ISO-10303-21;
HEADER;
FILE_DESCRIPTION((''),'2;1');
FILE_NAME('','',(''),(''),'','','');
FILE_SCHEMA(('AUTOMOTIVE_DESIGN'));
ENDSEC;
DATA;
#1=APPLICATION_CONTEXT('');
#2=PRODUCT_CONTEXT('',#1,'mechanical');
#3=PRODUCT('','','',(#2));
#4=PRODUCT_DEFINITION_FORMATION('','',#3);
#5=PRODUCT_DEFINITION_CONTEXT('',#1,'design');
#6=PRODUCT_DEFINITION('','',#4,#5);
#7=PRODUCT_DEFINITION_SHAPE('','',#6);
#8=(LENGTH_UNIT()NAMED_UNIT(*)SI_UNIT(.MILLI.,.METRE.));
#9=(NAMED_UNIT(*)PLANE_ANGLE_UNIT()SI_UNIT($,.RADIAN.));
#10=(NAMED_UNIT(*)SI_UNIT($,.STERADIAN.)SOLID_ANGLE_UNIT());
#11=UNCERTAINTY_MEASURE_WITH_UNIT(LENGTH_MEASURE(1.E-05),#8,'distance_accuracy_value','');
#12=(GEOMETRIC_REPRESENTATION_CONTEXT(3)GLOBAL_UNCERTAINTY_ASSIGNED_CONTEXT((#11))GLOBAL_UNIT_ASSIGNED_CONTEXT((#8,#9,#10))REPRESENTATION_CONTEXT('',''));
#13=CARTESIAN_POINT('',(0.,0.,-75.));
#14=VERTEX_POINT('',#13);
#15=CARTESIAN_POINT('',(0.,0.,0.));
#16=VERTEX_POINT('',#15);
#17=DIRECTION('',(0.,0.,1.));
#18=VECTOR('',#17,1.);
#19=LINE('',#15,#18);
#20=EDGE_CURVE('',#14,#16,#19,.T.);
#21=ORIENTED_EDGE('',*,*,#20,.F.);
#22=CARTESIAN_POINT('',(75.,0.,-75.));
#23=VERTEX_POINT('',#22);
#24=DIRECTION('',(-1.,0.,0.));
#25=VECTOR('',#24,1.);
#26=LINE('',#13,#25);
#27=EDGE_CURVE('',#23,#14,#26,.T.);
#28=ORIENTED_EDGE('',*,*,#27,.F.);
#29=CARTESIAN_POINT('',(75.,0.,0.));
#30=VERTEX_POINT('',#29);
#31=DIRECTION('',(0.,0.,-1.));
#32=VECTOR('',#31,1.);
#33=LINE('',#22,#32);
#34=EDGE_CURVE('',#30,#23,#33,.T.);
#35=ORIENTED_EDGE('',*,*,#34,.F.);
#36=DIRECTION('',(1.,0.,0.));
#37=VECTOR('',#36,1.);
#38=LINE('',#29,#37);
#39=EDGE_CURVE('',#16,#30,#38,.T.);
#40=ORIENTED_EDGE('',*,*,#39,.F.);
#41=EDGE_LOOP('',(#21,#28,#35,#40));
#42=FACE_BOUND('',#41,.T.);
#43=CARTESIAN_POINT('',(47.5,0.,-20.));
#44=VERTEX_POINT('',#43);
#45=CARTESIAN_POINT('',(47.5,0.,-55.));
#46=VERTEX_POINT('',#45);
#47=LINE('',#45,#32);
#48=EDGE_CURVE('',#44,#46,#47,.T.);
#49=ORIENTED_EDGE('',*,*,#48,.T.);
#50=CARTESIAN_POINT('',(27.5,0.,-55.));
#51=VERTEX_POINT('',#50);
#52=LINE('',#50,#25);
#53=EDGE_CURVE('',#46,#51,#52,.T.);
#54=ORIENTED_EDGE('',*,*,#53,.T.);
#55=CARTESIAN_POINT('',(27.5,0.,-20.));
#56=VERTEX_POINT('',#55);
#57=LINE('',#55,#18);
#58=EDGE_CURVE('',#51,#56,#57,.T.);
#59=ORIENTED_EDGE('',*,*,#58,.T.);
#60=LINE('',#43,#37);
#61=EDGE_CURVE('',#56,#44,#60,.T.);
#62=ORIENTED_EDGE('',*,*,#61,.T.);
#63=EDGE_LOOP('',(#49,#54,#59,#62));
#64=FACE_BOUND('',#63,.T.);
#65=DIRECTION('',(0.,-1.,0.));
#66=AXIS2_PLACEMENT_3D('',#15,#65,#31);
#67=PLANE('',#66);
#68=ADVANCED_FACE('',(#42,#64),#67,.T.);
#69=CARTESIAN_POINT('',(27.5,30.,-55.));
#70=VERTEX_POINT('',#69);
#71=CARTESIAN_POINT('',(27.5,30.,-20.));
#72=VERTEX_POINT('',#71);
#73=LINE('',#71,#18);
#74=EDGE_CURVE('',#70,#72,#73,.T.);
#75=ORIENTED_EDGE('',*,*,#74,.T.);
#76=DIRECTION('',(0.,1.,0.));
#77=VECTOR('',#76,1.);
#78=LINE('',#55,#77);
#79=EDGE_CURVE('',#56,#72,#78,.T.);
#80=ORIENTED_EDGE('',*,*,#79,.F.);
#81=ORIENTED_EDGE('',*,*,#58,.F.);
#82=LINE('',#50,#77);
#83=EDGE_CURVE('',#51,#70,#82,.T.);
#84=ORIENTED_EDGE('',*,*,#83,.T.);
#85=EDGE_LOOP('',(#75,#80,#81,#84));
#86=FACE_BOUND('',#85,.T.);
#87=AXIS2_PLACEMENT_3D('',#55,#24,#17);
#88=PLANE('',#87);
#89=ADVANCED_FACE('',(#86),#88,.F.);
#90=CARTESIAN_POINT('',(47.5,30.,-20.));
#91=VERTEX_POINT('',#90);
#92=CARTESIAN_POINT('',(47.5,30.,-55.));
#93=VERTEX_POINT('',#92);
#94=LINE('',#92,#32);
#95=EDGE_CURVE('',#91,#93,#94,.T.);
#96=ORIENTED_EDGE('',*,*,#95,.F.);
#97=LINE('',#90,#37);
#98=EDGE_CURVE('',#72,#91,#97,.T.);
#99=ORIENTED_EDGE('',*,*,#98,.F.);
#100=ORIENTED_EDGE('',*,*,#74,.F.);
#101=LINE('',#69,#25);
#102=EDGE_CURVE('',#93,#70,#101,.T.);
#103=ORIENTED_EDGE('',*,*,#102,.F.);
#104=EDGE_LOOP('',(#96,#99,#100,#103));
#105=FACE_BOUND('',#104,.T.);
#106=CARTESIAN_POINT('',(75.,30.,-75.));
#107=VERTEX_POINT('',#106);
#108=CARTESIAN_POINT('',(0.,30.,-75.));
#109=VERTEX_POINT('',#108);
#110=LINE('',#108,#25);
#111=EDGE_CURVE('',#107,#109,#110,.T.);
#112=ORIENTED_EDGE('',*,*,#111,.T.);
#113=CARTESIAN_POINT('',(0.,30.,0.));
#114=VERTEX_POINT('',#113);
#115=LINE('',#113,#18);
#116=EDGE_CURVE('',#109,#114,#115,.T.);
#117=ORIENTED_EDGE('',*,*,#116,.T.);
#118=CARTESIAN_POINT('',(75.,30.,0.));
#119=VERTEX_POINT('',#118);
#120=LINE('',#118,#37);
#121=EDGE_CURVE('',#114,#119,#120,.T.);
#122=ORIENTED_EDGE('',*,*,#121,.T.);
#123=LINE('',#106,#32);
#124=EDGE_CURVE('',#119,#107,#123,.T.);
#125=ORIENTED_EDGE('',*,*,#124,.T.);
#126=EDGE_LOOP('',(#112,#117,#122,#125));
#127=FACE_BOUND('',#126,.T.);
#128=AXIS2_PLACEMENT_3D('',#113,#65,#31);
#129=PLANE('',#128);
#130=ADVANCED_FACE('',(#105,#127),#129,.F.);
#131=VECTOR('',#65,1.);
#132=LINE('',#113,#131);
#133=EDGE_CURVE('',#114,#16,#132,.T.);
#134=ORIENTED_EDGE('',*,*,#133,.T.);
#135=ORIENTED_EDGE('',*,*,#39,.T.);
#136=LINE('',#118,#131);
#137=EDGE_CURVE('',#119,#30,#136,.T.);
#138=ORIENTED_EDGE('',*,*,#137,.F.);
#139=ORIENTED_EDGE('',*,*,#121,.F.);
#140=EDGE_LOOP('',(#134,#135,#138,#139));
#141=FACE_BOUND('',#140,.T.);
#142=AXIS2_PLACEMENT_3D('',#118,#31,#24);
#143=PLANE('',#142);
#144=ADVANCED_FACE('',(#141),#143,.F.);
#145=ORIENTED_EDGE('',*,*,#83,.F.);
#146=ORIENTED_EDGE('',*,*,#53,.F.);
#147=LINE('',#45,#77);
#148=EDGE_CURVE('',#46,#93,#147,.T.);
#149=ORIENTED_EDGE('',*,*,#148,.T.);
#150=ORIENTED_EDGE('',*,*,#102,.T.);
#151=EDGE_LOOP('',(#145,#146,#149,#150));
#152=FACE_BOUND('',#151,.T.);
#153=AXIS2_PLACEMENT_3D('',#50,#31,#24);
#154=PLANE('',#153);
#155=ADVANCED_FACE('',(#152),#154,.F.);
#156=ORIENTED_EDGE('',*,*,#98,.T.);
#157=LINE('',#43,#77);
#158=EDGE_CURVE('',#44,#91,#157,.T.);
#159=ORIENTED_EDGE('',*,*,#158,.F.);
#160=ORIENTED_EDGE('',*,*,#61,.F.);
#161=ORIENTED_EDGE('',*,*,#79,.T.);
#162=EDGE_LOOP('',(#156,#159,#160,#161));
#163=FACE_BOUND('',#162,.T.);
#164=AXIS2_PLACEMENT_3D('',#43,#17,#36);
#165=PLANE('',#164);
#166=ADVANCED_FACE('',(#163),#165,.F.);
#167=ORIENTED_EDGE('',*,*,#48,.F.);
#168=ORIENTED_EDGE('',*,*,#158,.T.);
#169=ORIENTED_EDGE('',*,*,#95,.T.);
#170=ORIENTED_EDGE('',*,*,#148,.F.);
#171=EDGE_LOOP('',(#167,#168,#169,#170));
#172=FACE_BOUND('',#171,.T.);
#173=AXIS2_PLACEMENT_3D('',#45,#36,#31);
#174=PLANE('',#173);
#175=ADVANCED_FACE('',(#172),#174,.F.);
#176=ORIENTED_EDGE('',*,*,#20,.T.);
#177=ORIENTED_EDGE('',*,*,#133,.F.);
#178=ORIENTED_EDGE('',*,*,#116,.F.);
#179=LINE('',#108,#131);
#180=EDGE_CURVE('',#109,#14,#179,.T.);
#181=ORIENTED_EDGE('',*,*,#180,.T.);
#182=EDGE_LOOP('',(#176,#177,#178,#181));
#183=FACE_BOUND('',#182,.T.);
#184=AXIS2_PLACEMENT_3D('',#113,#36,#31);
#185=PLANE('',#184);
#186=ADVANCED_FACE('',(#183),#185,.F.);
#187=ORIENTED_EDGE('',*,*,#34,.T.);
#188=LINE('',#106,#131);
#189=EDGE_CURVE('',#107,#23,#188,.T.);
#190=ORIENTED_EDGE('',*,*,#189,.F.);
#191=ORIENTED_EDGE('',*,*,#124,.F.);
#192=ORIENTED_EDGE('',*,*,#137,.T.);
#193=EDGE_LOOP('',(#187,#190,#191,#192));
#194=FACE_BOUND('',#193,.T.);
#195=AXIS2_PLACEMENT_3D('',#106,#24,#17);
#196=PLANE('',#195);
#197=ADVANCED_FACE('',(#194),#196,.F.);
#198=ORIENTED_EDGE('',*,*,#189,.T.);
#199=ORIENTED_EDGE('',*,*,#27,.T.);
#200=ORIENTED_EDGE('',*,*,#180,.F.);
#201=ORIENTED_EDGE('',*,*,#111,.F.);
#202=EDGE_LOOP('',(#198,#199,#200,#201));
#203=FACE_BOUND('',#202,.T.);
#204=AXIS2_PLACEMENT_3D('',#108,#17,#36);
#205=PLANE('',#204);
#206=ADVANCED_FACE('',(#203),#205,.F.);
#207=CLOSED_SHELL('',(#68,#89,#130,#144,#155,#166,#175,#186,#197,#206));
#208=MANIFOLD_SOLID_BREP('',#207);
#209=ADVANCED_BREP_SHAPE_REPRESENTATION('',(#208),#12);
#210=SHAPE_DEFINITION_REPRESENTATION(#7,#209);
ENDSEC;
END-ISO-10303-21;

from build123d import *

# Parameters (mm, degrees)
SKETCH1_W           = 75
SKETCH1_H           = 75
BOSS_EXTRUDE1_DEPTH = 30
SKETCH2_W           = 20
SKETCH2_H           = 35
CUT_EXTRUDE1_DEPTH  = 111.227038425


with BuildPart() as part:
    # Sketch1 → Boss-Extrude1 (new body)
    with BuildSketch(Plane(origin=(0, 0, 0), x_dir=(1, 0, 0), z_dir=(0, 1, 0))):
        with Locations((37.5, 37.5)):
            Rectangle(SKETCH1_W, SKETCH1_H)
    extrude(amount=BOSS_EXTRUDE1_DEPTH)

    # Sketch2 → Cut-Extrude1 (cut, through all)
    with BuildSketch(Plane(origin=(0, 30, 0), x_dir=(1, 0, 0), z_dir=(0, 1, 0))):
        with Locations((37.5, 37.5)):
            Rectangle(SKETCH2_W, SKETCH2_H)
    extrude(amount=-CUT_EXTRUDE1_DEPTH, mode=Mode.SUBTRACT)


solid = part.part
